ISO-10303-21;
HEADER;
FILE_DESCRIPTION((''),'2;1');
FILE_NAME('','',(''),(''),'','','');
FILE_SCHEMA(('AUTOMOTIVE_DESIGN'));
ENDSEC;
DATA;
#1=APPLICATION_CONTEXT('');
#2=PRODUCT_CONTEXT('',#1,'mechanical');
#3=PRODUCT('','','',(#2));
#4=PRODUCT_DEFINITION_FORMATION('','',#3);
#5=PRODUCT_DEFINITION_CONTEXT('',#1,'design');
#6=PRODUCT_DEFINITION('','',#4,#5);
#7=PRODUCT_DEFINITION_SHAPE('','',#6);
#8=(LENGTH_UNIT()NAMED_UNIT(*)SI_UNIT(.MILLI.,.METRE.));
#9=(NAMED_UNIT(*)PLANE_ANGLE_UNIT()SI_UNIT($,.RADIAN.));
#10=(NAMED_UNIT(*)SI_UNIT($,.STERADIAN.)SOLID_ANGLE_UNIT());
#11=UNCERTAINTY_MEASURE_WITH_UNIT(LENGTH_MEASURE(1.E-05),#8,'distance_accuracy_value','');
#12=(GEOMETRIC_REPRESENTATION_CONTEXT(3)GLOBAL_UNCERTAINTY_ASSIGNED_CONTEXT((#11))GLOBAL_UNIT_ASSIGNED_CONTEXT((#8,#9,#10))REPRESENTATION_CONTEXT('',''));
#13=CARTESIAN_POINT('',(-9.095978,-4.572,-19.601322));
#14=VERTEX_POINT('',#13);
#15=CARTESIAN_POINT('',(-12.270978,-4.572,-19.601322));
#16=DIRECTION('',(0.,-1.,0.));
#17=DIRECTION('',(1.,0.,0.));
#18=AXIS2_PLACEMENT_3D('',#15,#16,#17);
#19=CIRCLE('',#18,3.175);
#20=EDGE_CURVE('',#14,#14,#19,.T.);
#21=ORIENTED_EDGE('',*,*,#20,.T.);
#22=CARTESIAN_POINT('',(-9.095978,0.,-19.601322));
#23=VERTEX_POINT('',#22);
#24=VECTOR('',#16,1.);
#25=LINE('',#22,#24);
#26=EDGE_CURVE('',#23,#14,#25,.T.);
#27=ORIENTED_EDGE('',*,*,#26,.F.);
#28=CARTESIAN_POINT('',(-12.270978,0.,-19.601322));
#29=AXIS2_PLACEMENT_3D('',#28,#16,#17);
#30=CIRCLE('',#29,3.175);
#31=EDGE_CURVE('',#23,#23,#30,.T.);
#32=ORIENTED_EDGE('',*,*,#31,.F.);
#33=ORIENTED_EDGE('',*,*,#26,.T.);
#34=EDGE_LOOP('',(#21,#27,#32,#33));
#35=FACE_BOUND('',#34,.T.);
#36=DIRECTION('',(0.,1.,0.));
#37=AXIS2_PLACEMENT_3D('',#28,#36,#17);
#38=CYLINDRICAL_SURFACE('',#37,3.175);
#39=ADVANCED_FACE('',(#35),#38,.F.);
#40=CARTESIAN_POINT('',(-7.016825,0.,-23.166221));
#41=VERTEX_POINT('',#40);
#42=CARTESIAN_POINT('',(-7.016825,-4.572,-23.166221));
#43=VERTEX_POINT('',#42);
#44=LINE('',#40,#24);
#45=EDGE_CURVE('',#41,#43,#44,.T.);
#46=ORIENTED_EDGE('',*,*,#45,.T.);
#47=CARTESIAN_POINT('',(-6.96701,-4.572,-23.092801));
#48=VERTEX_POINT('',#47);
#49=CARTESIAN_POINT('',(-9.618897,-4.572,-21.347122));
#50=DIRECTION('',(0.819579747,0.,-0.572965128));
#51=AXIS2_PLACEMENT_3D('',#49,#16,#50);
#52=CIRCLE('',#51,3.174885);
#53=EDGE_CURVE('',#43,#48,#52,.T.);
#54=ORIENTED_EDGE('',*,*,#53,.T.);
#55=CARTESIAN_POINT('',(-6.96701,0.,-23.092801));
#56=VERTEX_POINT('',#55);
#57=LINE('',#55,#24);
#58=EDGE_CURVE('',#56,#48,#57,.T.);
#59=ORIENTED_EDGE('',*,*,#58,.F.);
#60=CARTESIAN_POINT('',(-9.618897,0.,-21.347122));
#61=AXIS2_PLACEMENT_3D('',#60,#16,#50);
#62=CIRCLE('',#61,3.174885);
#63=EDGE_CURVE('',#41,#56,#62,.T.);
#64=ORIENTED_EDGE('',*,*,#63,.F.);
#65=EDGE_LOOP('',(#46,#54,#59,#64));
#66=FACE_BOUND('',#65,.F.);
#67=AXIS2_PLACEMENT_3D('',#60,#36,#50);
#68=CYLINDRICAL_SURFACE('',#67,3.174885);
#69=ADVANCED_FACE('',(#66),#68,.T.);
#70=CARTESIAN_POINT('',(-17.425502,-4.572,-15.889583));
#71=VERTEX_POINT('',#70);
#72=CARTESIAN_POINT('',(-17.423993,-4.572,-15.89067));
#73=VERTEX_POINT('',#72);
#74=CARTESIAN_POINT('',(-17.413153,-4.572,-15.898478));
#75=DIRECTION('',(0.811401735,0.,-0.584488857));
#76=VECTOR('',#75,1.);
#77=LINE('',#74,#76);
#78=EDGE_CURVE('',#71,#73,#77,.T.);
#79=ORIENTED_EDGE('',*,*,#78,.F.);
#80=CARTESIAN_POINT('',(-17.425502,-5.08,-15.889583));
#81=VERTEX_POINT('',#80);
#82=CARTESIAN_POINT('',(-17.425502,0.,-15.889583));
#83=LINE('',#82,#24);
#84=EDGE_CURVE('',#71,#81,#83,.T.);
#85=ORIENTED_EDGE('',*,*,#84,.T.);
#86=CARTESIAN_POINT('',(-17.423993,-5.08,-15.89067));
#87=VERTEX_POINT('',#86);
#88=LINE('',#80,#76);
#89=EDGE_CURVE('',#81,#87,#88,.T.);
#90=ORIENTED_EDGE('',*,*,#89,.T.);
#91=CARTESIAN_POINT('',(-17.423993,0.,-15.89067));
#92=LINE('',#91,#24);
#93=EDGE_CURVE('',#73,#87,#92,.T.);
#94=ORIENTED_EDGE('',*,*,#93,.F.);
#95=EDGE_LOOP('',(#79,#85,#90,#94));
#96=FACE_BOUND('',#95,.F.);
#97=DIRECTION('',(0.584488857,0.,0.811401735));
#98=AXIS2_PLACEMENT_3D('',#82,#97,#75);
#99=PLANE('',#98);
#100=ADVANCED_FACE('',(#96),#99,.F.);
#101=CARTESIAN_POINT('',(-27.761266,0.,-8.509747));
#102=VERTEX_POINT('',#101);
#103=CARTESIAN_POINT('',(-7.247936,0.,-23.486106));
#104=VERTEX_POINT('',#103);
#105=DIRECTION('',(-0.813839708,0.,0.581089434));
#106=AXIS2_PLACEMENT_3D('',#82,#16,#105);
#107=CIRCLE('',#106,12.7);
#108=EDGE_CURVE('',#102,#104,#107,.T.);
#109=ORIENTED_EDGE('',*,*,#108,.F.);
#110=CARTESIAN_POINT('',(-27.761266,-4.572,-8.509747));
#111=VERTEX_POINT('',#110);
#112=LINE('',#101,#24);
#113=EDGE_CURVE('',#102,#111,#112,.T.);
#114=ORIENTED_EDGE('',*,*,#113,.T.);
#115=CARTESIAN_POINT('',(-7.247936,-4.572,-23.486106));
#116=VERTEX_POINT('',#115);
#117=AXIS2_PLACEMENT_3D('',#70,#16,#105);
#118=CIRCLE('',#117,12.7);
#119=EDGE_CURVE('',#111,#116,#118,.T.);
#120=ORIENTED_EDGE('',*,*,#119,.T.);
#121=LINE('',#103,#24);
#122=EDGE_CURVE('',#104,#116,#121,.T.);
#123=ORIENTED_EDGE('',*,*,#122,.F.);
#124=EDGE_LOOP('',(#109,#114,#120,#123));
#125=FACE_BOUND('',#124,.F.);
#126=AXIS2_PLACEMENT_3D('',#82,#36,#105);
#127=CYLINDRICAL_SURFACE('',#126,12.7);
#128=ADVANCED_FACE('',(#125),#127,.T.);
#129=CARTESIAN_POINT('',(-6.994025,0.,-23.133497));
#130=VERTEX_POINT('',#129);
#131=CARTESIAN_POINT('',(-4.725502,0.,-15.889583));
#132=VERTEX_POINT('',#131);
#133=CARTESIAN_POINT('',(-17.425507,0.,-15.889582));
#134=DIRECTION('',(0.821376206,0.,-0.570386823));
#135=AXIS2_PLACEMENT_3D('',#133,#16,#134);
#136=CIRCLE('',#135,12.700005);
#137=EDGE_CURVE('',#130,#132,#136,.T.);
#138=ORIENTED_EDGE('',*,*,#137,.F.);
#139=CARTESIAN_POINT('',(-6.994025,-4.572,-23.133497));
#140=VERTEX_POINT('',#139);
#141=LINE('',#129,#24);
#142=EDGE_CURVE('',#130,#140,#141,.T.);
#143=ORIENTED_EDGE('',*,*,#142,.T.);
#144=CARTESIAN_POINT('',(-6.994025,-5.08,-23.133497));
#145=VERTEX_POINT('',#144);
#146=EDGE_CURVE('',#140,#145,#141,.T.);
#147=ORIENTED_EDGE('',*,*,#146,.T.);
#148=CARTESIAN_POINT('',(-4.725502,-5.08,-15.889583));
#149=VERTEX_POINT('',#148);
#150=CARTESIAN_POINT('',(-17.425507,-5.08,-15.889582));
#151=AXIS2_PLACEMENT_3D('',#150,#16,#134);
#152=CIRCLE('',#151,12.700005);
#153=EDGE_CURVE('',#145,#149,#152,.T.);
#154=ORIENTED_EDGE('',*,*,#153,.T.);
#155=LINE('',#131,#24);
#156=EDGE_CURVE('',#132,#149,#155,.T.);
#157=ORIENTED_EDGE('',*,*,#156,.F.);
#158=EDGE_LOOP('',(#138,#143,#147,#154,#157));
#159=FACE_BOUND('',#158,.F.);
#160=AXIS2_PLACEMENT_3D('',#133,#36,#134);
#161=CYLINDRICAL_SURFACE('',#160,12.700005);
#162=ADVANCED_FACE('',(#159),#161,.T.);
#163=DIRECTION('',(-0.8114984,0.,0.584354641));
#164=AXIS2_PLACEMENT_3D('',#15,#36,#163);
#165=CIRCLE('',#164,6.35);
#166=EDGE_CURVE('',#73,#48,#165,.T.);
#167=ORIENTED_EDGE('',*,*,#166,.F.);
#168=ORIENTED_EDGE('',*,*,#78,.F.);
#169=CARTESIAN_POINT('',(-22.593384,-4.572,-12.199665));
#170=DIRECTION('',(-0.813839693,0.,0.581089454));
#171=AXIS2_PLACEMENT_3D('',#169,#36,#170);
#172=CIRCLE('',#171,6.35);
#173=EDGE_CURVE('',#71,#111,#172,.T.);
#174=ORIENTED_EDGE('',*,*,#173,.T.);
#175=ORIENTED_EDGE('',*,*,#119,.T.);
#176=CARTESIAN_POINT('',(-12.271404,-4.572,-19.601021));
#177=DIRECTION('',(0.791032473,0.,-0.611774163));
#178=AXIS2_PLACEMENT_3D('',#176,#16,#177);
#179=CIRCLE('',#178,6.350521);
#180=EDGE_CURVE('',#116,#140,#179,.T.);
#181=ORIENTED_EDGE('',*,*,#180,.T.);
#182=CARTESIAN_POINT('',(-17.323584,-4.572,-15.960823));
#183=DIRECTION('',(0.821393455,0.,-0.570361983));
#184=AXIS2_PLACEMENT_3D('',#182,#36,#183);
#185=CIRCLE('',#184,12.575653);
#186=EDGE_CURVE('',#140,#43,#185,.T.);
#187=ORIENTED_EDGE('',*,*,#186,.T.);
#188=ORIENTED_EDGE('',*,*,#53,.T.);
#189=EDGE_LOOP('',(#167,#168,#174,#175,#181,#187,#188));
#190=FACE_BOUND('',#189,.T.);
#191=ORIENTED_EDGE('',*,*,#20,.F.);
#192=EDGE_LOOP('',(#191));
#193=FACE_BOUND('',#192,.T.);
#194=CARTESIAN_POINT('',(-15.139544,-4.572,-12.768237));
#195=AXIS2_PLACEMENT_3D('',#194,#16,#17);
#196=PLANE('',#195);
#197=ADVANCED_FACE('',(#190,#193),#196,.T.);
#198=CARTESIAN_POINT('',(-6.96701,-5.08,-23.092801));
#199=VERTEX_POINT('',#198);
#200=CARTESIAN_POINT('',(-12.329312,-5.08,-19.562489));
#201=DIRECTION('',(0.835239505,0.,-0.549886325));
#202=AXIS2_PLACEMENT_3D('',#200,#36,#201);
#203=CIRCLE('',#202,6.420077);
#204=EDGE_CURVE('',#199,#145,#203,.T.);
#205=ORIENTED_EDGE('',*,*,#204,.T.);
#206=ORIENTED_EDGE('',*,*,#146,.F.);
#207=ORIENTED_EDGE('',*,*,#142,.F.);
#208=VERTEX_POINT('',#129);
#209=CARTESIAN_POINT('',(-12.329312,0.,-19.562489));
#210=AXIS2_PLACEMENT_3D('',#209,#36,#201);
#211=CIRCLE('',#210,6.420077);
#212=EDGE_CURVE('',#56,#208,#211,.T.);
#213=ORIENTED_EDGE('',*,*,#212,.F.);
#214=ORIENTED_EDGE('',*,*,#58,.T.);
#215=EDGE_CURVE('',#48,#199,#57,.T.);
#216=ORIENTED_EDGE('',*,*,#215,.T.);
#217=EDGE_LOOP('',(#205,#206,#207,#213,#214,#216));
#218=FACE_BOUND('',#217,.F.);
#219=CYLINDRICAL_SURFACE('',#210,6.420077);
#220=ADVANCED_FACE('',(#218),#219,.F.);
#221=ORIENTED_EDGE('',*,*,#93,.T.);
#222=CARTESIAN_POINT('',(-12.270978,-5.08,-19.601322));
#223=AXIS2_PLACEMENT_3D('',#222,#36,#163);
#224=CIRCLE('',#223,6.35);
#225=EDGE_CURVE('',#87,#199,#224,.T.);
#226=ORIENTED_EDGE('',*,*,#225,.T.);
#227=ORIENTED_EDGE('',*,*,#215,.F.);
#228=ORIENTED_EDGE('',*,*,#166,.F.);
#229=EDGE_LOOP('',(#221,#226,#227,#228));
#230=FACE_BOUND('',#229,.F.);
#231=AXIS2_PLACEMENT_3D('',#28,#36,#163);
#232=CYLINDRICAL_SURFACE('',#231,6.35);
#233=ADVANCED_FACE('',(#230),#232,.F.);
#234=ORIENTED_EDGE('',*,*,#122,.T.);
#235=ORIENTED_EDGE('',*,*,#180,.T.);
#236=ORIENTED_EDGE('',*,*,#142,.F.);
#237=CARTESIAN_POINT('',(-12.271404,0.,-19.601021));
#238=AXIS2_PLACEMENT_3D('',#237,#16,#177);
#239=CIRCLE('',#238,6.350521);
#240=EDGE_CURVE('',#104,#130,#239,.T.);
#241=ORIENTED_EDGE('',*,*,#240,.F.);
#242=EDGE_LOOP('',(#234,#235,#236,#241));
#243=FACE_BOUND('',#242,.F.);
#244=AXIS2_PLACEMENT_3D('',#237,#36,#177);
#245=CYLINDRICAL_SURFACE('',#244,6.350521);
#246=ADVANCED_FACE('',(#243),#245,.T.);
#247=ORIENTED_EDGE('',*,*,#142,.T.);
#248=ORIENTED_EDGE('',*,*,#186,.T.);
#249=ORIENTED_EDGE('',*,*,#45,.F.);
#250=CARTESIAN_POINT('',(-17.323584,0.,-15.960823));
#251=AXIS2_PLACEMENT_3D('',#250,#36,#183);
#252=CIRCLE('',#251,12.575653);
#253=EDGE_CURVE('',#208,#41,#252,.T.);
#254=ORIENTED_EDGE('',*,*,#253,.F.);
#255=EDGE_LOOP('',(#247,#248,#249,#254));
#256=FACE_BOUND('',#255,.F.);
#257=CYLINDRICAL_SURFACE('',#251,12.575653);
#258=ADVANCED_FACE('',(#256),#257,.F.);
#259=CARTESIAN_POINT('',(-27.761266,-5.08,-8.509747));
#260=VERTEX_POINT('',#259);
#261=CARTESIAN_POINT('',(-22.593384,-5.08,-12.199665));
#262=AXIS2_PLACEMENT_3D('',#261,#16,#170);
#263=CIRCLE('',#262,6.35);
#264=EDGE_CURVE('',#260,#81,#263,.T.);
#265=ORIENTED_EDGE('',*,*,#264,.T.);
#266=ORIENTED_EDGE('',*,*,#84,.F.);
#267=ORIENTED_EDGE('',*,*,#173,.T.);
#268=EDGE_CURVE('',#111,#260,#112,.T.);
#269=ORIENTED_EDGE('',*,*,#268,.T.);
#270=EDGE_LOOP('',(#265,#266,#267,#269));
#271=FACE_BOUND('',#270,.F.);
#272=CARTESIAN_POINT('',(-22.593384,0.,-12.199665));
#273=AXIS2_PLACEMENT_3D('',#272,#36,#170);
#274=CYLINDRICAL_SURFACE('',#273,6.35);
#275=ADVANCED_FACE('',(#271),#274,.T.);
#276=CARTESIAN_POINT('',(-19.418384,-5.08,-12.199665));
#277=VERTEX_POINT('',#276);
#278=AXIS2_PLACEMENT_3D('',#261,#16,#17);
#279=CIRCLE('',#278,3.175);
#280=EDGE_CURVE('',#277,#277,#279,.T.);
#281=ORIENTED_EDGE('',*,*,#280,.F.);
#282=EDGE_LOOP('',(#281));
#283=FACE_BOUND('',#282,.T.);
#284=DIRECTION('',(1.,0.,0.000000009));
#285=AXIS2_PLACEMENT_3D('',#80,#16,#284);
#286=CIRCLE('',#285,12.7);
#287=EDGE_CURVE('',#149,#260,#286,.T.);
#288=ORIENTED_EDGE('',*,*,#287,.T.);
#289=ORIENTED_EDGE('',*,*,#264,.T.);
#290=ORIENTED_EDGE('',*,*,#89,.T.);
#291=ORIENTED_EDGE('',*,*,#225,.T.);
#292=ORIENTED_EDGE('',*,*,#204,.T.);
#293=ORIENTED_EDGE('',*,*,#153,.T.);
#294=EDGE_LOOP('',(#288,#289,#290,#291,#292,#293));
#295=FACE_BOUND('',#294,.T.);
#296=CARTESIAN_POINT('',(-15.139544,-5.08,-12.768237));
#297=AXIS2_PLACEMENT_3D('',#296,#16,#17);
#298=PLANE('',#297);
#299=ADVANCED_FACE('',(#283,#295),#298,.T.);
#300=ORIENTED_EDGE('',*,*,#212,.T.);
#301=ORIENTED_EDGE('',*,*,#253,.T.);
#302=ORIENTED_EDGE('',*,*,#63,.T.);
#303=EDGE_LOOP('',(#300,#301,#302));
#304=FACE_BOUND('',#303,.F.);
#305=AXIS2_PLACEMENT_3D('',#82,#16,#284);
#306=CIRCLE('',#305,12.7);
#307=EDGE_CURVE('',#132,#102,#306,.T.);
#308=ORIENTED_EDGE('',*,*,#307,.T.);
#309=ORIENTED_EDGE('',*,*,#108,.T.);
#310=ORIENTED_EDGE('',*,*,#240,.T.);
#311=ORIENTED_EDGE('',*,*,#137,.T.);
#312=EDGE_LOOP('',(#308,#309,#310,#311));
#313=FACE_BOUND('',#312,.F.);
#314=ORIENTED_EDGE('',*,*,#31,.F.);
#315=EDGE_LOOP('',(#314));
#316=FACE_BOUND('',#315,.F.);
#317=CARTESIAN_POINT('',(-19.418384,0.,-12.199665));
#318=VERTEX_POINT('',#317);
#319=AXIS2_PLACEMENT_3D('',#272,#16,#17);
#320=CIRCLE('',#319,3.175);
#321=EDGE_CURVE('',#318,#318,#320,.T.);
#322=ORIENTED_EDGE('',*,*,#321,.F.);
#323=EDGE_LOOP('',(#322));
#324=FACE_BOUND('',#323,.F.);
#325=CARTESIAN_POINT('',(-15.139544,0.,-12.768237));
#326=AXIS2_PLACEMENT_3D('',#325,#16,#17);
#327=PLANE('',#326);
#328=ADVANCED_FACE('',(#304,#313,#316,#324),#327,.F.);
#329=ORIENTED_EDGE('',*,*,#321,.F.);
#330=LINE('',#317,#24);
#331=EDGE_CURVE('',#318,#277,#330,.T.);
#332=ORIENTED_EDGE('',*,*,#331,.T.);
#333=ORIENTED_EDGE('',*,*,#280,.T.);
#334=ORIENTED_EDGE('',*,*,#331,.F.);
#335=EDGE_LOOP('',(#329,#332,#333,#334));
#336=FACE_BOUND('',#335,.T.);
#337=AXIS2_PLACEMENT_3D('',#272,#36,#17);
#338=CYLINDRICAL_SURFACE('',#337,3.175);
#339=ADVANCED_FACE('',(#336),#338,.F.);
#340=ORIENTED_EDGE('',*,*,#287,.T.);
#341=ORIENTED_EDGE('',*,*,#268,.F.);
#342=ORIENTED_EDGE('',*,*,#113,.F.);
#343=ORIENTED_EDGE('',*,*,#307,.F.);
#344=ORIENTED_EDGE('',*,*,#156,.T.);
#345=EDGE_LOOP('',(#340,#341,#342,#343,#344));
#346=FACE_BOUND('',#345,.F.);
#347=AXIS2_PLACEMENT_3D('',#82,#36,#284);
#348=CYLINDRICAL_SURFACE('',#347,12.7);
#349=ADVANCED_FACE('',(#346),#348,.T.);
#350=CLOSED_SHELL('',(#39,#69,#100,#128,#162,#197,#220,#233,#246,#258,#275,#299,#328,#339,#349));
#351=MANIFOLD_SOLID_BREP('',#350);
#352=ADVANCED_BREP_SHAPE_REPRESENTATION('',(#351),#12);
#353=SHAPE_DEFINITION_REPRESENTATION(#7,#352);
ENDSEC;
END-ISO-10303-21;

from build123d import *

# Parameters (mm, degrees)
F0_R     = 3.175
F1_DEPTH = 5.08
F2_DEPTH = 4.572


with BuildPart() as f1:
    # F0 (on Front) → F1 (new body)
    with BuildSketch(Plane.XZ):
        with BuildLine():
            ThreePointArc((-6.994025, -23.133497), (-5.305895, -19.684991), (-4.725502, -15.889583))
            ThreePointArc((-4.725502, -15.889583), (-13.550854, -3.795076), (-27.761266, -8.509747))
            ThreePointArc((-27.761266, -8.509747), (-26.283302, -17.367547), (-17.425502, -15.889583))
            Line((-17.425502, -15.889583), (-17.423993, -15.89067))
            ThreePointArc((-17.423993, -15.89067), (-8.669122, -14.371682), (-6.96701, -23.092801))
            ThreePointArc((-6.96701, -23.092801), (-6.980479, -23.113175), (-6.994025, -23.133497))
        make_face()
        with Locations((-22.593384, -12.199665)):
            Circle(F0_R, mode=Mode.SUBTRACT)
    extrude(amount=F1_DEPTH)

    # F0 (on Front) → F2 (join)
    with BuildSketch(Plane.XZ):
        with BuildLine():
            ThreePointArc((-6.994025, -23.133497), (-5.305895, -19.684991), (-4.725502, -15.889583))
            ThreePointArc((-4.725502, -15.889583), (-13.550854, -3.795076), (-27.761266, -8.509747))
            ThreePointArc((-27.761266, -8.509747), (-26.283302, -17.367547), (-17.425502, -15.889583))
            Line((-17.425502, -15.889583), (-17.423993, -15.89067))
            ThreePointArc((-17.423993, -15.89067), (-8.669122, -14.371682), (-6.96701, -23.092801))
            ThreePointArc((-6.96701, -23.092801), (-6.980479, -23.113175), (-6.994025, -23.133497))
        make_face()
        with Locations((-22.593384, -12.199665)):
            Circle(F0_R, mode=Mode.SUBTRACT)
        with BuildLine():
            ThreePointArc((-17.425502, -15.889583), (-26.283302, -17.367547), (-27.761266, -8.509747))
            ThreePointArc((-27.761266, -8.509747), (-24.914099, -26.14682), (-7.247936, -23.486106))
            ThreePointArc((-7.247936, -23.486106), (-7.131138, -23.327061), (-7.016825, -23.166221))
            ThreePointArc((-7.016825, -23.166221), (-6.991661, -23.129685), (-6.96701, -23.092801))
            ThreePointArc((-6.96701, -23.092801), (-8.669122, -14.371682), (-17.423993, -15.89067))
            Line((-17.423993, -15.89067), (-17.425502, -15.889583))
        make_face()
        with Locations((-12.270978, -19.601322)):
            Circle(F0_R, mode=Mode.SUBTRACT)
        with BuildLine():
            ThreePointArc((-7.247936, -23.486106), (-7.117964, -23.311974), (-6.994025, -23.133497))
            ThreePointArc((-6.994025, -23.133497), (-7.005412, -23.149868), (-7.016825, -23.166221))
            ThreePointArc((-7.016825, -23.166221), (-7.131138, -23.327061), (-7.247936, -23.486106))
        make_face()
    extrude(amount=F2_DEPTH)


solid = f1.part
